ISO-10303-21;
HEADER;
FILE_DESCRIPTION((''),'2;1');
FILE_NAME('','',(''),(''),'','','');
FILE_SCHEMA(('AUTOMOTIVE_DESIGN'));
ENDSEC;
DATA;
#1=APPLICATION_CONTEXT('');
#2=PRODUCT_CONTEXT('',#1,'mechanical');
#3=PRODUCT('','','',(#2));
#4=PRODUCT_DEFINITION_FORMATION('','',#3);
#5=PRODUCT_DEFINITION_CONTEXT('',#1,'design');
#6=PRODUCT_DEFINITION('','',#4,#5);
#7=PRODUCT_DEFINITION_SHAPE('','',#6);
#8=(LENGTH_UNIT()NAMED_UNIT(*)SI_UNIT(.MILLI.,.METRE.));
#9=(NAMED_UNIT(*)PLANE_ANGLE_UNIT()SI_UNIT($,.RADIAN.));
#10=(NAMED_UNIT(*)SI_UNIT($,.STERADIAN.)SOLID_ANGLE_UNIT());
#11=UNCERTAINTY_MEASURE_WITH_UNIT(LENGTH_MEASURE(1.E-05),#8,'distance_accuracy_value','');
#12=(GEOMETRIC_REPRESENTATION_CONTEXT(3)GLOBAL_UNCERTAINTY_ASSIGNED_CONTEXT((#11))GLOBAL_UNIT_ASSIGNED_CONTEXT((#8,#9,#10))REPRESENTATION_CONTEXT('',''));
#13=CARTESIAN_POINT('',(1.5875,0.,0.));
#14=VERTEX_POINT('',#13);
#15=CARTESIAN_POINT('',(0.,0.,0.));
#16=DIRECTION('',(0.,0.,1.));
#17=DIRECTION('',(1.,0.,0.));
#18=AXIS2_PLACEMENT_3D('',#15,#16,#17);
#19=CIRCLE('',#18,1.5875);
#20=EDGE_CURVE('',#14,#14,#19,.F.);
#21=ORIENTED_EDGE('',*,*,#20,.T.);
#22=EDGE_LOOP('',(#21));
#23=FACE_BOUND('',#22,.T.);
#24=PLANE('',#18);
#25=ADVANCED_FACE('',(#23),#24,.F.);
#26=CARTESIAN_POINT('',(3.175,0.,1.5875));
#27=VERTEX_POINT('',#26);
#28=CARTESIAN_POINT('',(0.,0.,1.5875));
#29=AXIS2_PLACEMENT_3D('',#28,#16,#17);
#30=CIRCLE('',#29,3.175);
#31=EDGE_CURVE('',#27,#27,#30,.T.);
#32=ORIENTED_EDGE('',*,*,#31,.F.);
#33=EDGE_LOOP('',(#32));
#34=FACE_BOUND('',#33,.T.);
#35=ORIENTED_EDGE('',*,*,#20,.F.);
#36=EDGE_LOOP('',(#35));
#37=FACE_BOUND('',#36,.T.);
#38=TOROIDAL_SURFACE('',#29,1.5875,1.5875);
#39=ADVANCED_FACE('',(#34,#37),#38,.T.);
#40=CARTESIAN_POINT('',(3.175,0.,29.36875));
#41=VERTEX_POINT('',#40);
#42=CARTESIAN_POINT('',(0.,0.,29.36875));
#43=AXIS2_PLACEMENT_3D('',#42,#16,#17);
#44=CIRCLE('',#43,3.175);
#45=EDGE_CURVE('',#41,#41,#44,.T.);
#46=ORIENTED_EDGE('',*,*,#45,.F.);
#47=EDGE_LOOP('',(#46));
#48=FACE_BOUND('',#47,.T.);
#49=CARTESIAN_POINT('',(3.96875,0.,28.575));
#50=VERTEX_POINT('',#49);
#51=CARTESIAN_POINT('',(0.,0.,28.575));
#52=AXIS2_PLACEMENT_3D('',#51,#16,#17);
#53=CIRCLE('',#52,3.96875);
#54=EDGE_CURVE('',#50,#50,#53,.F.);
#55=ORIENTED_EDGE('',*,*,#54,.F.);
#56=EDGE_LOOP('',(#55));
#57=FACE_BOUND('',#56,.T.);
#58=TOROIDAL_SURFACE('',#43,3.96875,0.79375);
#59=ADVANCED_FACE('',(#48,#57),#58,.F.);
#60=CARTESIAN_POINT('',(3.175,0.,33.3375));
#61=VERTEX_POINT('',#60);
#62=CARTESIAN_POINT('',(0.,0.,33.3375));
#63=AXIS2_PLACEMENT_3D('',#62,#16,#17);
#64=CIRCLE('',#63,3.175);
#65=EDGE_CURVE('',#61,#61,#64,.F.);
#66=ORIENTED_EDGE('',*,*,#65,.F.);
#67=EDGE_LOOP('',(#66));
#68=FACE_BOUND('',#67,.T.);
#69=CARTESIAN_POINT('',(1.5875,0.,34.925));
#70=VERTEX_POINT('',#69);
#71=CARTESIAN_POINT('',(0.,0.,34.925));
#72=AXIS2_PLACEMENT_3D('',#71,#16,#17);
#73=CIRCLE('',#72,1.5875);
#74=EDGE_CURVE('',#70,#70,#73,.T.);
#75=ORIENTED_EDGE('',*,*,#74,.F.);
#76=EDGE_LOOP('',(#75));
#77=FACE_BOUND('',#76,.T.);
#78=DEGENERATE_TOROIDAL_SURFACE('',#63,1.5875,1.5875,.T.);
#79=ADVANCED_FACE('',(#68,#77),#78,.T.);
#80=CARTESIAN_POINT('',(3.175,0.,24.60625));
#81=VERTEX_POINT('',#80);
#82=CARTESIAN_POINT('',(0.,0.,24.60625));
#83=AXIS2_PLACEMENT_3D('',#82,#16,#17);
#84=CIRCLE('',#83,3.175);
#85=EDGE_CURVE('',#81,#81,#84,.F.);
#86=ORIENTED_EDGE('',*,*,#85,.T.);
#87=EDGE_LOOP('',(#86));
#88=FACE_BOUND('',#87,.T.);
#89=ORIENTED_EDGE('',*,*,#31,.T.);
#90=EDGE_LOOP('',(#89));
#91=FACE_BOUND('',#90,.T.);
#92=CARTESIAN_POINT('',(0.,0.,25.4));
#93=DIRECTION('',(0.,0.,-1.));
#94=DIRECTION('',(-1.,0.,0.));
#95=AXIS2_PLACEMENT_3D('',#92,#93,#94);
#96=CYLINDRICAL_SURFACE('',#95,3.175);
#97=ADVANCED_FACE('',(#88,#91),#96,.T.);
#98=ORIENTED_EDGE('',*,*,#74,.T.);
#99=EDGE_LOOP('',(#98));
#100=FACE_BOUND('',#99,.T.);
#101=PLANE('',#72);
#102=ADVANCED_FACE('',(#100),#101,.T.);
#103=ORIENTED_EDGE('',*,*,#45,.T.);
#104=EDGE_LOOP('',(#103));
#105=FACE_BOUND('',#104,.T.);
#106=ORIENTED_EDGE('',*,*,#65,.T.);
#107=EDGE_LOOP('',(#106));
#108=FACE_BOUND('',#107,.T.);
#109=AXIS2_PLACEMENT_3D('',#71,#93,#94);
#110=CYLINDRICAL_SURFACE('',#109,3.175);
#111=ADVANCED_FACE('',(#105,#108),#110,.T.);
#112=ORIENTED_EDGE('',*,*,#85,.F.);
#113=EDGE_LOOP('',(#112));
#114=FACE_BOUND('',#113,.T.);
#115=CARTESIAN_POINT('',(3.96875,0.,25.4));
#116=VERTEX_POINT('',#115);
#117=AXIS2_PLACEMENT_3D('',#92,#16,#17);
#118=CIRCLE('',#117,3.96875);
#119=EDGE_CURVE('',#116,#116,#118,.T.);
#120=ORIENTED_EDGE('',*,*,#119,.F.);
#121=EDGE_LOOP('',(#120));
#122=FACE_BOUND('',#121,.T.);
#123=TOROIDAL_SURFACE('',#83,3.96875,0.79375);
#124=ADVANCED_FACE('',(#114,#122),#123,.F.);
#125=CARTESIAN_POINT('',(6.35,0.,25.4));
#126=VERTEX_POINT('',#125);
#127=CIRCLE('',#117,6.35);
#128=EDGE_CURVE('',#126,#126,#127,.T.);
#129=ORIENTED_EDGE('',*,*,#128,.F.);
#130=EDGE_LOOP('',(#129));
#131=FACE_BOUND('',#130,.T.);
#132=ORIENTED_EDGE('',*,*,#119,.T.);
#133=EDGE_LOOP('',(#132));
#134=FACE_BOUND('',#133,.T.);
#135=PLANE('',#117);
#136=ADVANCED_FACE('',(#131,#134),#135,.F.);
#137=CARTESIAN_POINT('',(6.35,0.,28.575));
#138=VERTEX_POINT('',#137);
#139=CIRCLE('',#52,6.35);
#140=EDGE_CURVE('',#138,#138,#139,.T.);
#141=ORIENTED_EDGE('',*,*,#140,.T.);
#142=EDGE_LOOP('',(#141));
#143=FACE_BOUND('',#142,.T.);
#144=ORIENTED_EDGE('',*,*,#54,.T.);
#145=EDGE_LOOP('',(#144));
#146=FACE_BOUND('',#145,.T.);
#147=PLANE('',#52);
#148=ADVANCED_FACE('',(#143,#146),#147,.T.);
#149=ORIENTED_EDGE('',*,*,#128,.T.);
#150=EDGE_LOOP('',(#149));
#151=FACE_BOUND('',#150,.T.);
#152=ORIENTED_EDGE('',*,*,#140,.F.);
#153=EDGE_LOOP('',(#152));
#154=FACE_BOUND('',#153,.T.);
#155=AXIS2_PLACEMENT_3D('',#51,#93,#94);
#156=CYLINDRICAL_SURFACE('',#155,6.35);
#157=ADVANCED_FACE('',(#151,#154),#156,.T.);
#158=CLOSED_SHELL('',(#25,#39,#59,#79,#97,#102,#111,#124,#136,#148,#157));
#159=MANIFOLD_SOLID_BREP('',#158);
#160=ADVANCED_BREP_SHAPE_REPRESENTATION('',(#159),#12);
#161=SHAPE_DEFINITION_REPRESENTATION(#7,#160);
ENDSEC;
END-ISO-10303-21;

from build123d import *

# Parameters (mm, degrees)
SKETCH1_R           = 3.175
BOSS_EXTRUDE1_DEPTH = 25.4
SKETCH2_R           = 6.35
BOSS_EXTRUDE2_DEPTH = 3.175
SKETCH3_R           = 3.175
BOSS_EXTRUDE3_DEPTH = 6.35
FILLET1_R           = 1.5875
FILLET2_R           = 0.79375


with BuildPart() as part:
    # Sketch1 → Boss-Extrude1 (new body)
    with BuildSketch(Plane.XY):
        Circle(SKETCH1_R)
    extrude(amount=BOSS_EXTRUDE1_DEPTH)

    # Sketch2 → Boss-Extrude2 (add)
    with BuildSketch(Plane.XY.offset(25.4)):
        Circle(SKETCH2_R)
    extrude(amount=BOSS_EXTRUDE2_DEPTH)

    # Sketch3 → Boss-Extrude3 (add)
    with BuildSketch(Plane.XY.offset(28.575)):
        Circle(SKETCH3_R)
    extrude(amount=BOSS_EXTRUDE3_DEPTH)

    # Fillet1
    fillet1_edges = [part.edges().sort_by_distance(p)[0] for p in [
        (-3.175, 0, 34.925),
        (-3.175, 0, 0),
    ]]
    fillet(fillet1_edges, radius=FILLET1_R)

    # Fillet2
    fillet2_edges = [part.edges().sort_by_distance(p)[0] for p in [
        (-3.175, 0, 28.575),
        (-3.175, 0, 25.4),
    ]]
    fillet(fillet2_edges, radius=FILLET2_R)


solid = part.part
